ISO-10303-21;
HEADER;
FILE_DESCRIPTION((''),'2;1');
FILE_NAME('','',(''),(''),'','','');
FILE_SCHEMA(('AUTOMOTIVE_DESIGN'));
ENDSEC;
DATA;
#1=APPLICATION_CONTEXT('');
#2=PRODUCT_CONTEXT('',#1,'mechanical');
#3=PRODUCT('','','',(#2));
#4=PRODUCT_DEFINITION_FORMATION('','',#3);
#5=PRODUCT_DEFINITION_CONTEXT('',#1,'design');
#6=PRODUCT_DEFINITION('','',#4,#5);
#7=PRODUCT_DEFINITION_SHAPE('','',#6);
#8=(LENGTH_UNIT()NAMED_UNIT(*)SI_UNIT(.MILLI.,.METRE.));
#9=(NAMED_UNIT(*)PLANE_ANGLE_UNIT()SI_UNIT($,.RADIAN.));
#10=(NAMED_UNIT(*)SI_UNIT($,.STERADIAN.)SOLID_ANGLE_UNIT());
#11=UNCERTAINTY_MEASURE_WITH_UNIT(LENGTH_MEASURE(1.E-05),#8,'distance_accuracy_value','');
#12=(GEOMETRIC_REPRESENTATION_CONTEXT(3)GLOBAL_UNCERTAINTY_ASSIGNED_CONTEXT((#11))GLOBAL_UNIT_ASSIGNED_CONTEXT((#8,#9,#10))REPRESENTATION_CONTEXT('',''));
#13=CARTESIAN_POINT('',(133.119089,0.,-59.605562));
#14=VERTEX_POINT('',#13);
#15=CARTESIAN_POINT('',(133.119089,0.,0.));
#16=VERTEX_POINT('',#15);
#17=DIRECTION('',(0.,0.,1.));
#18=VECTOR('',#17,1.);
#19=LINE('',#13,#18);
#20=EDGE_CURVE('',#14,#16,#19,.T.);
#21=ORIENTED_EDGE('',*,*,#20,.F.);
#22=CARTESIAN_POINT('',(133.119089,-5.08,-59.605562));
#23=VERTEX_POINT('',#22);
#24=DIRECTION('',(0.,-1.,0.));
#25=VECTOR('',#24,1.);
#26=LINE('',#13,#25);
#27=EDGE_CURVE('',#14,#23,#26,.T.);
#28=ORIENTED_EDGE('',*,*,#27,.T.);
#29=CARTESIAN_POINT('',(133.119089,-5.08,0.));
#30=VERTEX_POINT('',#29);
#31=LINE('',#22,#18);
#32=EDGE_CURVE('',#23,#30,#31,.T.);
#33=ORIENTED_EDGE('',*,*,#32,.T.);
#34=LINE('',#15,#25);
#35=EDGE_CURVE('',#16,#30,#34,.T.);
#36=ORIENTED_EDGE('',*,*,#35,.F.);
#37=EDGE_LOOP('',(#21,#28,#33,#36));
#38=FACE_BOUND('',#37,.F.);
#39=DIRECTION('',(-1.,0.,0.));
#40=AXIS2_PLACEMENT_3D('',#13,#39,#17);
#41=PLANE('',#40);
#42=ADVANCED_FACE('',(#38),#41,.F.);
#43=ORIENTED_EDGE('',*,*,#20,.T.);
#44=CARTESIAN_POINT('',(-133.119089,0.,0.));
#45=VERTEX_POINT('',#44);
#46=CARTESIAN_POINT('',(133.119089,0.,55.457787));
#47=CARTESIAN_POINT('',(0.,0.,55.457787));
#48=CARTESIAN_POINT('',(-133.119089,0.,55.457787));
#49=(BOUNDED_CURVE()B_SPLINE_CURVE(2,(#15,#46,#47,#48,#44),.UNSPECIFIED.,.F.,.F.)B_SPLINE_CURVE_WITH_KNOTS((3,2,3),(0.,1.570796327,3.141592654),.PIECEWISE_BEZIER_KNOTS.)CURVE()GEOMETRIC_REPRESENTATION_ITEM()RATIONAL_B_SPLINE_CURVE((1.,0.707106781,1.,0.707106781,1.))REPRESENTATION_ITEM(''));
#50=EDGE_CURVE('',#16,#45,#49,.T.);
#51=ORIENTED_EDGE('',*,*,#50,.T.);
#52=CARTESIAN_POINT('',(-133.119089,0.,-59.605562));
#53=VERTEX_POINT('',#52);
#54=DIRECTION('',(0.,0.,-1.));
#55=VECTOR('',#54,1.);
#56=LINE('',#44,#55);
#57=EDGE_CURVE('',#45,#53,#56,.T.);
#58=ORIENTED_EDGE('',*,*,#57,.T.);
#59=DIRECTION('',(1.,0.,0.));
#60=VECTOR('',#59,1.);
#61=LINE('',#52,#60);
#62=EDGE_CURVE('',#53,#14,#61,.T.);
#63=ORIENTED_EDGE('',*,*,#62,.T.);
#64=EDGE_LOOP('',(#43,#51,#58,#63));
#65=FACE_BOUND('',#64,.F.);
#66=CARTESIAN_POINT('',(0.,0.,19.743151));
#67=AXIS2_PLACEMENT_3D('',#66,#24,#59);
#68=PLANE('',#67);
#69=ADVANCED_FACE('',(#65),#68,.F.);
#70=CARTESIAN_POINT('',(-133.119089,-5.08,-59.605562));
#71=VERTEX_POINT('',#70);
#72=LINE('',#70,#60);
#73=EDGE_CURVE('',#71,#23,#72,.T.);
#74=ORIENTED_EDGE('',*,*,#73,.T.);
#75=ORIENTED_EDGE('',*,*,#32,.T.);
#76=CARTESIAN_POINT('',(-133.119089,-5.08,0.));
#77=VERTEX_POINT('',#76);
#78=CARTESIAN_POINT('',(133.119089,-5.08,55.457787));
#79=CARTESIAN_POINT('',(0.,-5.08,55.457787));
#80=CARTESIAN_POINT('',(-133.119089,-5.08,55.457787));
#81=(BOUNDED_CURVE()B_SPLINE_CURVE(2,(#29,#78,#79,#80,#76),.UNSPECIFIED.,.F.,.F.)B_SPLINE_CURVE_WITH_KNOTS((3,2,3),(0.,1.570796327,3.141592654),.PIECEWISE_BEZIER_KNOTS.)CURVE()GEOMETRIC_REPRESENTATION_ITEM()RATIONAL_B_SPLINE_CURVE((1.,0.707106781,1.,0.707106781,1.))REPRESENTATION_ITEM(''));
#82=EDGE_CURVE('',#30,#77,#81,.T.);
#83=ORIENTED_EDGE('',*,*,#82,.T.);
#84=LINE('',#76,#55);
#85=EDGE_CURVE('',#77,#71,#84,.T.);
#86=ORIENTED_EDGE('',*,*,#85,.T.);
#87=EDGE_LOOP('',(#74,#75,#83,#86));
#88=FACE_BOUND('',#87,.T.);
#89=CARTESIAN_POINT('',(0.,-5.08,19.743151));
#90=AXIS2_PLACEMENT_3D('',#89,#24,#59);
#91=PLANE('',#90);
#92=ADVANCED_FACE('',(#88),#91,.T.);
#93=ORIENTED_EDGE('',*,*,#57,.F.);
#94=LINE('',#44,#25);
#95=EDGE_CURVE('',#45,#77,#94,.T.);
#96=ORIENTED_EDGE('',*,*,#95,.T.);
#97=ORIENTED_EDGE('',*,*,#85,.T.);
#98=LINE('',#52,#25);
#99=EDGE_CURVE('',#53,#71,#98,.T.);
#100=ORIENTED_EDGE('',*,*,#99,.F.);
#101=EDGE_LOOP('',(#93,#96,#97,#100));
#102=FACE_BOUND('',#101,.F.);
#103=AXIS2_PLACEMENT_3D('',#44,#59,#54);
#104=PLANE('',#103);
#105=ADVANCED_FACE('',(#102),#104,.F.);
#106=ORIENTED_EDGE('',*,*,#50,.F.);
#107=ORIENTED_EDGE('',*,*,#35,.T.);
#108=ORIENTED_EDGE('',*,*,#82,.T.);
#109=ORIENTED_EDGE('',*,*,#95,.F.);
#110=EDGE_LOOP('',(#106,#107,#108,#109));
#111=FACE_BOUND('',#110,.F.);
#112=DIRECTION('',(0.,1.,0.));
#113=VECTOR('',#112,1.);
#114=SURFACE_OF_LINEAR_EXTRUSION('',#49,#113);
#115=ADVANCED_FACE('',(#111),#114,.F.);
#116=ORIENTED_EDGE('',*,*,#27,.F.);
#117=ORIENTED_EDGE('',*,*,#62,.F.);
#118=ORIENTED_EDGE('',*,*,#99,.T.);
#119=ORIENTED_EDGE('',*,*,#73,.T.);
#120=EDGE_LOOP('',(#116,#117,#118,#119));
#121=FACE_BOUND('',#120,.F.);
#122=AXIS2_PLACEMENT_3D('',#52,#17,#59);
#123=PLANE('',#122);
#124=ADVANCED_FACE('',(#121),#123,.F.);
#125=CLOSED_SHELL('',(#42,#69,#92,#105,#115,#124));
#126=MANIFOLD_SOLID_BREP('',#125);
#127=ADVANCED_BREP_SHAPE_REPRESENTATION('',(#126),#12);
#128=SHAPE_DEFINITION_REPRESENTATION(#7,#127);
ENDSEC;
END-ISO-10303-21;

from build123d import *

# Parameters (mm, degrees)
F1_DEPTH = 5.08


with BuildPart() as f1:
    # F0 (on Front) → F1 (new body)
    with BuildSketch(Plane.XZ):
        with BuildLine():
            Line((-133.1190886, 0), (133.1190886, 0))
            add(Edge.make_bspline(
                [(133.1190886, 0), (133.1190886, 55.4577865922), (0, 55.4577865922), (-133.1190886, 55.4577865922), (-133.1190886, 0)],
                knots=[0, 0, 0, 1.5707963268, 1.5707963268, 3.1415926536, 3.1415926536, 3.1415926536], degree=2, weights=[1, 0.7071067812, 1, 0.7071067812, 1]))
        make_face()
        with BuildLine():
            Line((133.1190886, -59.6055615281), (133.1190886, 0))
            add(Edge.make_bspline(
                [(-133.1190886, 0), (-133.1190886, -55.4577865922), (0, -55.4577865922), (133.1190886, -55.4577865922), (133.1190886, 0)],
                knots=[3.1415926536, 3.1415926536, 3.1415926536, 4.7123889804, 4.7123889804, 6.2831853072, 6.2831853072, 6.2831853072], degree=2, weights=[1, 0.7071067812, 1, 0.7071067812, 1]))
            Line((-133.1190886, 0), (-133.1190886, -59.6055615281))
            Line((-133.1190886, -59.6055615281), (133.1190886, -59.6055615281))
        make_face()
        with BuildLine():
            add(Edge.make_bspline(
                [(-133.1190886, 0), (-133.1190886, -55.4577865922), (0, -55.4577865922), (133.1190886, -55.4577865922), (133.1190886, 0)],
                knots=[3.1415926536, 3.1415926536, 3.1415926536, 4.7123889804, 4.7123889804, 6.2831853072, 6.2831853072, 6.2831853072], degree=2, weights=[1, 0.7071067812, 1, 0.7071067812, 1]))
            Line((133.1190886, 0), (-133.1190886, 0))
        make_face()
    extrude(amount=F1_DEPTH)


solid = f1.part
